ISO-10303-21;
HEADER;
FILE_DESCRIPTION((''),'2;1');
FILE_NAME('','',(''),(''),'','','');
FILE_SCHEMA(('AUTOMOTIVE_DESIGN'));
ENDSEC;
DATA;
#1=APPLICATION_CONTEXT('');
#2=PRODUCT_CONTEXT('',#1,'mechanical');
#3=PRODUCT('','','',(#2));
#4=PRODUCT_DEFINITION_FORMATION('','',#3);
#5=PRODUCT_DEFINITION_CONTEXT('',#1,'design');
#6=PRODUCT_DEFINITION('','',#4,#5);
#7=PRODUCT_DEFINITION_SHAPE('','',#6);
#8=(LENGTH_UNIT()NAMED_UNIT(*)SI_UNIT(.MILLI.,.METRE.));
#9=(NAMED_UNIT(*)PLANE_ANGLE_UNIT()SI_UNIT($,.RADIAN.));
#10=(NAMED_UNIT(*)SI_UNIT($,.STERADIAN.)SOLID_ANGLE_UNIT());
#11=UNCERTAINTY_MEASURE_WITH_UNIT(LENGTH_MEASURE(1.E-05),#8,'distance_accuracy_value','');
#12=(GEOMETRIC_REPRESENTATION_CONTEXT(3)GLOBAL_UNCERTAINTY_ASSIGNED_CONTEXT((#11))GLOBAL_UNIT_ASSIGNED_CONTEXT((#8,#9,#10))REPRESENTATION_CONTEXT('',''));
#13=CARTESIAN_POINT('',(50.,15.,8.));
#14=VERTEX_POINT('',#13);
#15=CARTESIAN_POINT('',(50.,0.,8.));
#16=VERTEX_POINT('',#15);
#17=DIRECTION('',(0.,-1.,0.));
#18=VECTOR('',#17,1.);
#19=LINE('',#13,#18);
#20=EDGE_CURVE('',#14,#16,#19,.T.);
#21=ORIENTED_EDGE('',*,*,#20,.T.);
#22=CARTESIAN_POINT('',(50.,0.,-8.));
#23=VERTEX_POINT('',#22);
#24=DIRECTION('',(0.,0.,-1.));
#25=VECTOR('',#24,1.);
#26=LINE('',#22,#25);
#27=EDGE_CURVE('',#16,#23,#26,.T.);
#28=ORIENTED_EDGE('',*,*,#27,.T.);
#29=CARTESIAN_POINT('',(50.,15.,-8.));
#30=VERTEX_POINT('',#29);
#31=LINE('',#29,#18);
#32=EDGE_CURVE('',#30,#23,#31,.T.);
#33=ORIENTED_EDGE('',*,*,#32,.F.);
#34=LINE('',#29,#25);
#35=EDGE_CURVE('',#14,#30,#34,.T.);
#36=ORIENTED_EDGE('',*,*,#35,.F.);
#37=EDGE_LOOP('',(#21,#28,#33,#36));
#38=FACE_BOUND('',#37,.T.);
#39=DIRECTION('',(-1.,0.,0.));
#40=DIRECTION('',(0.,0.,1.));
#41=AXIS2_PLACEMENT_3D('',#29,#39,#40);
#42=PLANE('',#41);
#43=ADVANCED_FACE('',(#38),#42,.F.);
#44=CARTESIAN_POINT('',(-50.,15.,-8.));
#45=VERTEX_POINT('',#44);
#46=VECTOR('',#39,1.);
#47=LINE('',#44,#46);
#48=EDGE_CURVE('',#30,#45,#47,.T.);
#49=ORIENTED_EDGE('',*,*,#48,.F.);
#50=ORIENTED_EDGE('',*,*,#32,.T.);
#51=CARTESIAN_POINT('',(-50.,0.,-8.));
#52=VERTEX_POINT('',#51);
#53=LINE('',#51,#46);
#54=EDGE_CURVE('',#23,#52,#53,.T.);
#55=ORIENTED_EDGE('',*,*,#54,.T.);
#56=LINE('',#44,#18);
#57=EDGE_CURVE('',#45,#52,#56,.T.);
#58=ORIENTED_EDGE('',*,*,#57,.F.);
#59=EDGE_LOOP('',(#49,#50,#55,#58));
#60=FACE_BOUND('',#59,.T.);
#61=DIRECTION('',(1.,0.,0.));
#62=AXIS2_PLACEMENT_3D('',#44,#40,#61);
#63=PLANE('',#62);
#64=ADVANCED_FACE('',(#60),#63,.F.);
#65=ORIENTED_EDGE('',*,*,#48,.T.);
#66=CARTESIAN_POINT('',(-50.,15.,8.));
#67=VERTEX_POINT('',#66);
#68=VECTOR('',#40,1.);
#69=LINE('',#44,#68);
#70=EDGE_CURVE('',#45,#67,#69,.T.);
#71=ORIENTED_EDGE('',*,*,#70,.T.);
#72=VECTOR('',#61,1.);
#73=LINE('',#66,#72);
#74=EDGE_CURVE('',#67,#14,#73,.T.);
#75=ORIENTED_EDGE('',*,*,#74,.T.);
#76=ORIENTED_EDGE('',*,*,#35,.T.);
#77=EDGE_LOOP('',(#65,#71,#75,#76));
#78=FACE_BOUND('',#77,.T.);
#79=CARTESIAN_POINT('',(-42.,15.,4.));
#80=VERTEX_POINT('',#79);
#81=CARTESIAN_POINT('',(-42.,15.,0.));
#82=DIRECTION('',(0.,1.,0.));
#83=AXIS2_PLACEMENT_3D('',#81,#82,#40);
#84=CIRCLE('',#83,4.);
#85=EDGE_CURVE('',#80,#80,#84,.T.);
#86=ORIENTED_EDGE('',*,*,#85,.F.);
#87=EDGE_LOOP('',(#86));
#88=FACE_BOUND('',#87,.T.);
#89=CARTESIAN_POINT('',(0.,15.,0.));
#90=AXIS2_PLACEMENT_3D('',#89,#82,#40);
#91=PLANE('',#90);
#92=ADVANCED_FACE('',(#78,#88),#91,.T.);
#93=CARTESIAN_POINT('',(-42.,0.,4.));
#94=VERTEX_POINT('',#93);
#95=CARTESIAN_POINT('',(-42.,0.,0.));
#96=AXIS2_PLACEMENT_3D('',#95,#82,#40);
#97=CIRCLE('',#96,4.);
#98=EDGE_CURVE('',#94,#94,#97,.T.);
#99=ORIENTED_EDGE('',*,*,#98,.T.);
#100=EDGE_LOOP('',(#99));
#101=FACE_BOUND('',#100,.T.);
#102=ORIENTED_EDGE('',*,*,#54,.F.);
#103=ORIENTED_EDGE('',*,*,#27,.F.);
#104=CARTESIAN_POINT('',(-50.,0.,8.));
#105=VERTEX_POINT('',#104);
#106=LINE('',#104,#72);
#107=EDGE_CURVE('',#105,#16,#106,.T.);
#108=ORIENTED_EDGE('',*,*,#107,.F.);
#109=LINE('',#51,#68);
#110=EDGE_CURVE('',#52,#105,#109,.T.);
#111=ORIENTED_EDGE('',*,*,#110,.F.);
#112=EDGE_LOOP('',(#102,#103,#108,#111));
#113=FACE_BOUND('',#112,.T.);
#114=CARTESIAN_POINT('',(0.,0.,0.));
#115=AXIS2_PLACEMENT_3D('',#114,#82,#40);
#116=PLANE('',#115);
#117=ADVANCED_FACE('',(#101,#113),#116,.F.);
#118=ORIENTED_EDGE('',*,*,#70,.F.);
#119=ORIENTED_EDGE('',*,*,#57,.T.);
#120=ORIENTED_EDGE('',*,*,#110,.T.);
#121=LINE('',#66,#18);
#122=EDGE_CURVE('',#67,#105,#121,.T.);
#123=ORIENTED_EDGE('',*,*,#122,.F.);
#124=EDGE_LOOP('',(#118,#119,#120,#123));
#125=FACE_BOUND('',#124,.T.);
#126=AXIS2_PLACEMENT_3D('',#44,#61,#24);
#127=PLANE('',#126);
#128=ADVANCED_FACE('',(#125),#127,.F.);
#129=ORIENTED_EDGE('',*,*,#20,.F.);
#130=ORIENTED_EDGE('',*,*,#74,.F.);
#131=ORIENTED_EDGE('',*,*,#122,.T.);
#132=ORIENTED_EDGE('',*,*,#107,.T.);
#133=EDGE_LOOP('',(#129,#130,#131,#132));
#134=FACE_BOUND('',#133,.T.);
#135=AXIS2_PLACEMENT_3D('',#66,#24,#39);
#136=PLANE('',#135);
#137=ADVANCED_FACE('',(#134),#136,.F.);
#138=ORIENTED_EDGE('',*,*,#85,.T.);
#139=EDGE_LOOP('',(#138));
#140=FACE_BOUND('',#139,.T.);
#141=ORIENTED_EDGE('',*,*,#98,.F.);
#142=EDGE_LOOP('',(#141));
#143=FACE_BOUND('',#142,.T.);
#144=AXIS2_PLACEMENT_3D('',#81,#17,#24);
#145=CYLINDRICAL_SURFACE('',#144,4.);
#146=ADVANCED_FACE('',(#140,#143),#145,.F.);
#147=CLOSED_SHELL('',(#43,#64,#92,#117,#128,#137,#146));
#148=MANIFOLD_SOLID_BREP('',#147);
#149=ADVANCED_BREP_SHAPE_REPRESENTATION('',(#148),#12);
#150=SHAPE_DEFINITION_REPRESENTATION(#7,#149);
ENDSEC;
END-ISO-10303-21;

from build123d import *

# Parameters (mm, degrees)
ESBO_O1_W                = 100
ESBO_O1_H                = 16
ESBO_O1_R                = 4
RESSALTO_EXTRUS_O1_DEPTH = 15


with BuildPart() as part:
    # Esboço1 → Ressalto-extrusão1 (new body)
    with BuildSketch(Plane(origin=(0, 0, 0), x_dir=(1, 0, 0), z_dir=(0, 1, 0))):
        Rectangle(ESBO_O1_W, ESBO_O1_H)
        with Locations(Location((-42, 0, 0), (0, 0, 270))):
            Circle(ESBO_O1_R, mode=Mode.SUBTRACT)
    extrude(amount=RESSALTO_EXTRUS_O1_DEPTH)


solid = part.part
